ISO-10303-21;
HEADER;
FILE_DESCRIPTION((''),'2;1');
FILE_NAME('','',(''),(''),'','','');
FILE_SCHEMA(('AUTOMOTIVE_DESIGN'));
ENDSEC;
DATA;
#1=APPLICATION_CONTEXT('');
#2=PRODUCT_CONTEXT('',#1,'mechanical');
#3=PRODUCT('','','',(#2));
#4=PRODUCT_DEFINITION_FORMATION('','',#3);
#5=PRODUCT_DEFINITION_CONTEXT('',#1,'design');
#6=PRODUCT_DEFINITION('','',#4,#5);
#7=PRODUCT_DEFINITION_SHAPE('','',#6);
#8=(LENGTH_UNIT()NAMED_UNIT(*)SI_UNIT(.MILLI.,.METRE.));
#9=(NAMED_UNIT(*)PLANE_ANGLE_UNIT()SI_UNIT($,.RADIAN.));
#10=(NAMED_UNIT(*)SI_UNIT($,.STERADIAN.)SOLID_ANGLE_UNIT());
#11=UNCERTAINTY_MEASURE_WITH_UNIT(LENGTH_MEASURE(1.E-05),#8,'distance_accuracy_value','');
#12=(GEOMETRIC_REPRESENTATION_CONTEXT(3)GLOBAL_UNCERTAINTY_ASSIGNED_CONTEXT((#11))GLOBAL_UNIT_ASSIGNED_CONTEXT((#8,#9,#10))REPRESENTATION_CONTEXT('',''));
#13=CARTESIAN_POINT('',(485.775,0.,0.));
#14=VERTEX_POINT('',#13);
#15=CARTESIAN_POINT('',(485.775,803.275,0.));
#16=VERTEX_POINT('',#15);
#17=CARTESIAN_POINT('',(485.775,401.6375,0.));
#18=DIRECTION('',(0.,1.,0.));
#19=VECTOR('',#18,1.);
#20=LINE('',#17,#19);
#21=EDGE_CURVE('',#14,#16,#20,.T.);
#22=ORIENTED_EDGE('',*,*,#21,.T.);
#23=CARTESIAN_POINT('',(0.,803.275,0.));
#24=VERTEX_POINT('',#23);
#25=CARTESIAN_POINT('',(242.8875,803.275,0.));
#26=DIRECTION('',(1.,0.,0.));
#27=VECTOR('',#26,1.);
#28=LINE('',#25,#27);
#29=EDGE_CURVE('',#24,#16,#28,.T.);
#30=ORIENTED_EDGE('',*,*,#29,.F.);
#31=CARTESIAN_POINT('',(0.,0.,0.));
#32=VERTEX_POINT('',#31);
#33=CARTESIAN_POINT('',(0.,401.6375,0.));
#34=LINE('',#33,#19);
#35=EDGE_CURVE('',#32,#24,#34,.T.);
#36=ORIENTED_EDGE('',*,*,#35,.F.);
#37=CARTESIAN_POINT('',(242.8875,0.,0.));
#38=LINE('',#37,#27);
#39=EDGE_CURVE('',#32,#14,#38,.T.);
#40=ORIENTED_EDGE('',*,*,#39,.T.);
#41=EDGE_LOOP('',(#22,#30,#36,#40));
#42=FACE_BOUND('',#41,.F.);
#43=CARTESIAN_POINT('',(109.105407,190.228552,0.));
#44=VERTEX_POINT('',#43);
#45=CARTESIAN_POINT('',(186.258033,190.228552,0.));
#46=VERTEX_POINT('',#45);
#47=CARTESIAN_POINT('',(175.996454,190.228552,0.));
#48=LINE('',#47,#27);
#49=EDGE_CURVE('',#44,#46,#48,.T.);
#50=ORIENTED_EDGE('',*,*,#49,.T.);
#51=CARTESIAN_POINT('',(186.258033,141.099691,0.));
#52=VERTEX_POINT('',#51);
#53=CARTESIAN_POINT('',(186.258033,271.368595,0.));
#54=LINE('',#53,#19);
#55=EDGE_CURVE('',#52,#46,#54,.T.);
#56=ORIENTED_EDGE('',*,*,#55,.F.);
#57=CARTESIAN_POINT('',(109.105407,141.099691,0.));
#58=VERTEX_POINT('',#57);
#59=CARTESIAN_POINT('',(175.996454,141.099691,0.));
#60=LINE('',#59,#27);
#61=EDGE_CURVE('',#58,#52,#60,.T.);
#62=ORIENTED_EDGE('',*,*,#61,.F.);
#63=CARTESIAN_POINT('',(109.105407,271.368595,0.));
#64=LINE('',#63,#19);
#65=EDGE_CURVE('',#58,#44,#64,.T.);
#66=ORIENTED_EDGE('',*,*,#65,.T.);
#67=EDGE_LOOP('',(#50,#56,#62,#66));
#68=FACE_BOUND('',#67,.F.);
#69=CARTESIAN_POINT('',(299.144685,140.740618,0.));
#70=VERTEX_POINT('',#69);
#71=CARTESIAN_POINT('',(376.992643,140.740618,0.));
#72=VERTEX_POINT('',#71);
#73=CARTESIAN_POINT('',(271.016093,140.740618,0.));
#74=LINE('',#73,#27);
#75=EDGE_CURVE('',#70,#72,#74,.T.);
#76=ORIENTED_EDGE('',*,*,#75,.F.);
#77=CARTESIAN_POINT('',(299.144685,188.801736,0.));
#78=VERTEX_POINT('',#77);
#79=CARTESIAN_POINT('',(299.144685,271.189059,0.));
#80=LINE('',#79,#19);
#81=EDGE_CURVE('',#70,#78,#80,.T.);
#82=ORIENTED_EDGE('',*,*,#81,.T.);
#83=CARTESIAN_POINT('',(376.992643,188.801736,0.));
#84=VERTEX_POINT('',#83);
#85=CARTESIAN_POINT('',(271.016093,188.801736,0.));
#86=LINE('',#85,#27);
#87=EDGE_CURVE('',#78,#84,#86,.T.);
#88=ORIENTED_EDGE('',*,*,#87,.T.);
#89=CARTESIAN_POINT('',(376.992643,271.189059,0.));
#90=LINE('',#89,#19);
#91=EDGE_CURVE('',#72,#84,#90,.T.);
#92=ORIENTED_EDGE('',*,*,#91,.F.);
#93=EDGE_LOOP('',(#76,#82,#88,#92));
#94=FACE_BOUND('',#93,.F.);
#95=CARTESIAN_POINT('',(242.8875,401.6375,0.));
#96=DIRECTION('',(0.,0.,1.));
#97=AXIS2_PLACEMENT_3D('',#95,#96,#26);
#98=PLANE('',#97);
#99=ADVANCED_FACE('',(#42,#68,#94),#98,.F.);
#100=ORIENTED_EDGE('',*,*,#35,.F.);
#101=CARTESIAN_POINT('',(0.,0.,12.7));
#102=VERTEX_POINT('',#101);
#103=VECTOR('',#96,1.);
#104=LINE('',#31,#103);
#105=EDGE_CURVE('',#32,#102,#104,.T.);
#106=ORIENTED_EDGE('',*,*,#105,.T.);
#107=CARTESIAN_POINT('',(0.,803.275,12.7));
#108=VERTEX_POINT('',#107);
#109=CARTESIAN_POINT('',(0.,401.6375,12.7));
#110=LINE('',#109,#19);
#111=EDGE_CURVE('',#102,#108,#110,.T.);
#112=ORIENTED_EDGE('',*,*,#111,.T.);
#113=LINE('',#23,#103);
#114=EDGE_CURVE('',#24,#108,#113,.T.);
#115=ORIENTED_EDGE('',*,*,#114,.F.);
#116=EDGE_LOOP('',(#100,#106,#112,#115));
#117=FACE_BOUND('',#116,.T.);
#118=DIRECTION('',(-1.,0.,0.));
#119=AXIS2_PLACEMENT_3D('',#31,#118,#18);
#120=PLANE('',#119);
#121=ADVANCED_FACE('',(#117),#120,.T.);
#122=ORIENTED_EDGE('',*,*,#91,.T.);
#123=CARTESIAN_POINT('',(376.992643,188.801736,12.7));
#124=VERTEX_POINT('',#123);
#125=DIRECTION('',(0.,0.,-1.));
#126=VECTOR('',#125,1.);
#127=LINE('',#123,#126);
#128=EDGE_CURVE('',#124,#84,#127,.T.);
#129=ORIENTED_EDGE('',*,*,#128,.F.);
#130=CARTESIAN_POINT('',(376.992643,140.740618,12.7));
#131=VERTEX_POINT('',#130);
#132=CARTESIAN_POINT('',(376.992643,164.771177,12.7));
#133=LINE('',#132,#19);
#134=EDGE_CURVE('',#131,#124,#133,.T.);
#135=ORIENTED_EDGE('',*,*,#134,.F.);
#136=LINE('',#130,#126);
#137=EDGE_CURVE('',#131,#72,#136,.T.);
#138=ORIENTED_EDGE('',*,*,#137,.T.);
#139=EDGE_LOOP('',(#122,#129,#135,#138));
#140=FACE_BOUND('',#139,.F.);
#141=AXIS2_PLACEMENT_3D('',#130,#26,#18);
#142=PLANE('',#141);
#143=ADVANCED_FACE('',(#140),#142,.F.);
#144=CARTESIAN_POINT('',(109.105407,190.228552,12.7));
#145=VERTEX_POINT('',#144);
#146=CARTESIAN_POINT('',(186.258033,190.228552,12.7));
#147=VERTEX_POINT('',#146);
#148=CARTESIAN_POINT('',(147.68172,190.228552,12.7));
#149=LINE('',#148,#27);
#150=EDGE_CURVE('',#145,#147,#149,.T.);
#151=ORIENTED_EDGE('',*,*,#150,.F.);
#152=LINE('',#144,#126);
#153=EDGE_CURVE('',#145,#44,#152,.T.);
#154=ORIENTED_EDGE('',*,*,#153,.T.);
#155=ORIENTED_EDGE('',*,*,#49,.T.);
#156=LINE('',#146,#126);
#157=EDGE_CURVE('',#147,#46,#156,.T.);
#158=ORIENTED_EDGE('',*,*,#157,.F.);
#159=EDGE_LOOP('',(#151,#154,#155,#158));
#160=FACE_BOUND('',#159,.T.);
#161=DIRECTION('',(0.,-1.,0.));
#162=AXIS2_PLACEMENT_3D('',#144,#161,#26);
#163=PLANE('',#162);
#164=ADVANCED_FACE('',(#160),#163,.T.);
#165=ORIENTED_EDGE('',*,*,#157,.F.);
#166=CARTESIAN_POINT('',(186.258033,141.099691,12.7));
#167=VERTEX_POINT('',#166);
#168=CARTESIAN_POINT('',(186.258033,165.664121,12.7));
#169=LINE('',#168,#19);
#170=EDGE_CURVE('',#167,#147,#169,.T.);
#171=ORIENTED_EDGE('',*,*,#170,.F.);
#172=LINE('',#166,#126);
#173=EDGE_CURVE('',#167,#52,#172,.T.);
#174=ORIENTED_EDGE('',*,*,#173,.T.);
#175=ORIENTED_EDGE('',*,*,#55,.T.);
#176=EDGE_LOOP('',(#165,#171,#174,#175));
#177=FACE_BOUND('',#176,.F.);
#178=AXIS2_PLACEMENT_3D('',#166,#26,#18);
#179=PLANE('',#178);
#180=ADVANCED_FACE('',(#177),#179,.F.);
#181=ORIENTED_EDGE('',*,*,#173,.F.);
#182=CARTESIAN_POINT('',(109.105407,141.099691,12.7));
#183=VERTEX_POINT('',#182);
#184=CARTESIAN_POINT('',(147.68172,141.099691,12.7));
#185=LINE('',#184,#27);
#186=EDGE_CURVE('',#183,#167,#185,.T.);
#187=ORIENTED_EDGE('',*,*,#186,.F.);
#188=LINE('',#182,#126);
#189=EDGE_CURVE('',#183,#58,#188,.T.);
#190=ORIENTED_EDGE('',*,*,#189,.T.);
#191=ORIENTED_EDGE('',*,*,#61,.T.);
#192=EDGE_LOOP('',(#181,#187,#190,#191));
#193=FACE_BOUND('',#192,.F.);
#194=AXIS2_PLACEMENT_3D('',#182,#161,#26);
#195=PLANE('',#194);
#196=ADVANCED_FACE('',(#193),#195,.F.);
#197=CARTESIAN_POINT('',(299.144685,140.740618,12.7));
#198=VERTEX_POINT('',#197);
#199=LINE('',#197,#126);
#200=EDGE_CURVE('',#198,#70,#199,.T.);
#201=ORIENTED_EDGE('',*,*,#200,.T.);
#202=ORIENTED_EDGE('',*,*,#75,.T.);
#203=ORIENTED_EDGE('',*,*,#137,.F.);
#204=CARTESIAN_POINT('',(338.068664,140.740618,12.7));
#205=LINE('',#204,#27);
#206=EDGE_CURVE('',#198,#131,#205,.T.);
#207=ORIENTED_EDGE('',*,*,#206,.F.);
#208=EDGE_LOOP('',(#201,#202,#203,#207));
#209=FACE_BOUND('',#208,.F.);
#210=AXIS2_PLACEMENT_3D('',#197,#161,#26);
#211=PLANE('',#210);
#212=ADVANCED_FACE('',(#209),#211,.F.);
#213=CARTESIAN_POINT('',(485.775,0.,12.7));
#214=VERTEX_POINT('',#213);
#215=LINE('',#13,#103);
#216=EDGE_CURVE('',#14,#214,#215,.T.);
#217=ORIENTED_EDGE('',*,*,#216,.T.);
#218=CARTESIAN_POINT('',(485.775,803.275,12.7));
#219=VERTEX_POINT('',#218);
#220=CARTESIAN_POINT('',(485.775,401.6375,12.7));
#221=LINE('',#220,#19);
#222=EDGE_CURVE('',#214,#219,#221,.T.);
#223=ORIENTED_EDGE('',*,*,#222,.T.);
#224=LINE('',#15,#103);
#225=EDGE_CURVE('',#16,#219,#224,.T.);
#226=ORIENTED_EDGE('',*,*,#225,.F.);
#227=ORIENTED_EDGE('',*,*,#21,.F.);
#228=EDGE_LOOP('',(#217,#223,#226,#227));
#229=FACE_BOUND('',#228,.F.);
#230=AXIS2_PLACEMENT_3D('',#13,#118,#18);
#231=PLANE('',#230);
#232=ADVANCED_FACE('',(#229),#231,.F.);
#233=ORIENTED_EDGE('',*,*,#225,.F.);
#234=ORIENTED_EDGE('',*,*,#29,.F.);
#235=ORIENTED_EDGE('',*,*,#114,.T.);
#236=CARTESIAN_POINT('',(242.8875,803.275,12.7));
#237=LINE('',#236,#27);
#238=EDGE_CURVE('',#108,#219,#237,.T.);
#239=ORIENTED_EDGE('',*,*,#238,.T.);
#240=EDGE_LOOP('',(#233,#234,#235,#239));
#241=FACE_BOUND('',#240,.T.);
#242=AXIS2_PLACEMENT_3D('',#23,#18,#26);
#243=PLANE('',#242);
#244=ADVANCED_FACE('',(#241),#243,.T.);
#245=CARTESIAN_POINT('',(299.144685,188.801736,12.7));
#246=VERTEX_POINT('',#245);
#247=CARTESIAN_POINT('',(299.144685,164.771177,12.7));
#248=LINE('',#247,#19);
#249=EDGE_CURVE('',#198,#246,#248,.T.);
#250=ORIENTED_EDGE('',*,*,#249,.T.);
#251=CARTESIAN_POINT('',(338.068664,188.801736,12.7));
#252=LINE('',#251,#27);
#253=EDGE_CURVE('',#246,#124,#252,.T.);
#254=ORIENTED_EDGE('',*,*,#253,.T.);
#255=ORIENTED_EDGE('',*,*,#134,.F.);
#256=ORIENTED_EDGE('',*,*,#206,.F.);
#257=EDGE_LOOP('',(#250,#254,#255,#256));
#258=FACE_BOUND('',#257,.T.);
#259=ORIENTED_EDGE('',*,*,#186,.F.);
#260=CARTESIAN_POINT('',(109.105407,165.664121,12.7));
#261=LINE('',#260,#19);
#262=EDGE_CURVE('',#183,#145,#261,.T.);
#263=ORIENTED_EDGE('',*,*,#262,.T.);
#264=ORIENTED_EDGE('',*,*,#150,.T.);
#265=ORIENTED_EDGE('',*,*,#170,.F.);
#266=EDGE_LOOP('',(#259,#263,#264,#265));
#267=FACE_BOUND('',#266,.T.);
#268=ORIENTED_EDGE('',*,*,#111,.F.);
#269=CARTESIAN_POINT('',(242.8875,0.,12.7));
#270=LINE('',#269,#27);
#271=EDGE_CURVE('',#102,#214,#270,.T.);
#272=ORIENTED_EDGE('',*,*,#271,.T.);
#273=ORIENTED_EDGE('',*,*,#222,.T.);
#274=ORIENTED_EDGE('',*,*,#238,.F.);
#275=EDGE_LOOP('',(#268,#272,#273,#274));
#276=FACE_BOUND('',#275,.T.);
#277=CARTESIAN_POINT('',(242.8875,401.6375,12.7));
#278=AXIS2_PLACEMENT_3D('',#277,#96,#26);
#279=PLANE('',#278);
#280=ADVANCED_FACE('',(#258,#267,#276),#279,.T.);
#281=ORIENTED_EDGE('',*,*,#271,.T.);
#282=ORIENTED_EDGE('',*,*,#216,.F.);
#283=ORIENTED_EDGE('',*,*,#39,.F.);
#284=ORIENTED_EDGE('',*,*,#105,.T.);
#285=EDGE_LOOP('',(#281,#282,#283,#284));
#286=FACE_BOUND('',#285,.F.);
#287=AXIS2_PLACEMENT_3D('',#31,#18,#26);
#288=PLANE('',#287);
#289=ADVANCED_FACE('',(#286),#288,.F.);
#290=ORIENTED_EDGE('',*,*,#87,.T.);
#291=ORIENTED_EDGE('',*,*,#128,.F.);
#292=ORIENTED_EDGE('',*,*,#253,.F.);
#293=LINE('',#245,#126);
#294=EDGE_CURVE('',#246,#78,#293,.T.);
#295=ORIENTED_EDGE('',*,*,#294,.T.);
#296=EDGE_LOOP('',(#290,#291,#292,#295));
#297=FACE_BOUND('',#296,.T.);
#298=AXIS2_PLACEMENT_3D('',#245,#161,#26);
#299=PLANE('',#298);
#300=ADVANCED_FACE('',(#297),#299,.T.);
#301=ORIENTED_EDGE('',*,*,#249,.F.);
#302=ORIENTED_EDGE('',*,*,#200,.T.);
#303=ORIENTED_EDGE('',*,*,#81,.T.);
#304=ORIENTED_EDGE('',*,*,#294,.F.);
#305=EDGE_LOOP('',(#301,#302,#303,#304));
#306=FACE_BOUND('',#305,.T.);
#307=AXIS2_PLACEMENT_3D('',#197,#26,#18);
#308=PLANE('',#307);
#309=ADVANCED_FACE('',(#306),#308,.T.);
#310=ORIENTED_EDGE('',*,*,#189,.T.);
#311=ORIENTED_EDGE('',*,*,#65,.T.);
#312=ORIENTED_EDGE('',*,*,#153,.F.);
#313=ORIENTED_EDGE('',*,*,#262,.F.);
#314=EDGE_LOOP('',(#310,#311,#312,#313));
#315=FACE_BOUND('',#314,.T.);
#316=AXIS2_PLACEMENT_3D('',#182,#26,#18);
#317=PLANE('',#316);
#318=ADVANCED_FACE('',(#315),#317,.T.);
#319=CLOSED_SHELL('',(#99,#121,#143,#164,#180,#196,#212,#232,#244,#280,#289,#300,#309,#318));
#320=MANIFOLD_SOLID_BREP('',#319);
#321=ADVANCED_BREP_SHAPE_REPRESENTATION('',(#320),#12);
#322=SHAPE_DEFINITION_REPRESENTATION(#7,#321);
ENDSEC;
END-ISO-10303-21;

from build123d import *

# Parameters (mm, degrees)
F0_W     = 485.775
F0_H     = 803.275
F1_DEPTH = 12.7
F2_W     = 77.152625
F2_H     = 49.128861
F2_W_2   = 77.847958
F2_H_2   = 48.061118
F3_DEPTH = 25.4


with BuildPart() as f1:
    # F0 (on Top) → F1 (new body)
    with BuildSketch(Plane.XY):
        with Locations((242.8875, 401.6375)):
            Rectangle(F0_W, F0_H)
    extrude(amount=F1_DEPTH)

    # F2 (on face) → F3 (cut)
    with BuildSketch(Plane.XY.offset(12.7)):
        with Locations((147.68172, 165.664121)):
            Rectangle(F2_W, F2_H)
        with Locations((338.068664, 164.771177)):
            Rectangle(F2_W_2, F2_H_2)
    extrude(amount=-F3_DEPTH, mode=Mode.SUBTRACT)


solid = f1.part
